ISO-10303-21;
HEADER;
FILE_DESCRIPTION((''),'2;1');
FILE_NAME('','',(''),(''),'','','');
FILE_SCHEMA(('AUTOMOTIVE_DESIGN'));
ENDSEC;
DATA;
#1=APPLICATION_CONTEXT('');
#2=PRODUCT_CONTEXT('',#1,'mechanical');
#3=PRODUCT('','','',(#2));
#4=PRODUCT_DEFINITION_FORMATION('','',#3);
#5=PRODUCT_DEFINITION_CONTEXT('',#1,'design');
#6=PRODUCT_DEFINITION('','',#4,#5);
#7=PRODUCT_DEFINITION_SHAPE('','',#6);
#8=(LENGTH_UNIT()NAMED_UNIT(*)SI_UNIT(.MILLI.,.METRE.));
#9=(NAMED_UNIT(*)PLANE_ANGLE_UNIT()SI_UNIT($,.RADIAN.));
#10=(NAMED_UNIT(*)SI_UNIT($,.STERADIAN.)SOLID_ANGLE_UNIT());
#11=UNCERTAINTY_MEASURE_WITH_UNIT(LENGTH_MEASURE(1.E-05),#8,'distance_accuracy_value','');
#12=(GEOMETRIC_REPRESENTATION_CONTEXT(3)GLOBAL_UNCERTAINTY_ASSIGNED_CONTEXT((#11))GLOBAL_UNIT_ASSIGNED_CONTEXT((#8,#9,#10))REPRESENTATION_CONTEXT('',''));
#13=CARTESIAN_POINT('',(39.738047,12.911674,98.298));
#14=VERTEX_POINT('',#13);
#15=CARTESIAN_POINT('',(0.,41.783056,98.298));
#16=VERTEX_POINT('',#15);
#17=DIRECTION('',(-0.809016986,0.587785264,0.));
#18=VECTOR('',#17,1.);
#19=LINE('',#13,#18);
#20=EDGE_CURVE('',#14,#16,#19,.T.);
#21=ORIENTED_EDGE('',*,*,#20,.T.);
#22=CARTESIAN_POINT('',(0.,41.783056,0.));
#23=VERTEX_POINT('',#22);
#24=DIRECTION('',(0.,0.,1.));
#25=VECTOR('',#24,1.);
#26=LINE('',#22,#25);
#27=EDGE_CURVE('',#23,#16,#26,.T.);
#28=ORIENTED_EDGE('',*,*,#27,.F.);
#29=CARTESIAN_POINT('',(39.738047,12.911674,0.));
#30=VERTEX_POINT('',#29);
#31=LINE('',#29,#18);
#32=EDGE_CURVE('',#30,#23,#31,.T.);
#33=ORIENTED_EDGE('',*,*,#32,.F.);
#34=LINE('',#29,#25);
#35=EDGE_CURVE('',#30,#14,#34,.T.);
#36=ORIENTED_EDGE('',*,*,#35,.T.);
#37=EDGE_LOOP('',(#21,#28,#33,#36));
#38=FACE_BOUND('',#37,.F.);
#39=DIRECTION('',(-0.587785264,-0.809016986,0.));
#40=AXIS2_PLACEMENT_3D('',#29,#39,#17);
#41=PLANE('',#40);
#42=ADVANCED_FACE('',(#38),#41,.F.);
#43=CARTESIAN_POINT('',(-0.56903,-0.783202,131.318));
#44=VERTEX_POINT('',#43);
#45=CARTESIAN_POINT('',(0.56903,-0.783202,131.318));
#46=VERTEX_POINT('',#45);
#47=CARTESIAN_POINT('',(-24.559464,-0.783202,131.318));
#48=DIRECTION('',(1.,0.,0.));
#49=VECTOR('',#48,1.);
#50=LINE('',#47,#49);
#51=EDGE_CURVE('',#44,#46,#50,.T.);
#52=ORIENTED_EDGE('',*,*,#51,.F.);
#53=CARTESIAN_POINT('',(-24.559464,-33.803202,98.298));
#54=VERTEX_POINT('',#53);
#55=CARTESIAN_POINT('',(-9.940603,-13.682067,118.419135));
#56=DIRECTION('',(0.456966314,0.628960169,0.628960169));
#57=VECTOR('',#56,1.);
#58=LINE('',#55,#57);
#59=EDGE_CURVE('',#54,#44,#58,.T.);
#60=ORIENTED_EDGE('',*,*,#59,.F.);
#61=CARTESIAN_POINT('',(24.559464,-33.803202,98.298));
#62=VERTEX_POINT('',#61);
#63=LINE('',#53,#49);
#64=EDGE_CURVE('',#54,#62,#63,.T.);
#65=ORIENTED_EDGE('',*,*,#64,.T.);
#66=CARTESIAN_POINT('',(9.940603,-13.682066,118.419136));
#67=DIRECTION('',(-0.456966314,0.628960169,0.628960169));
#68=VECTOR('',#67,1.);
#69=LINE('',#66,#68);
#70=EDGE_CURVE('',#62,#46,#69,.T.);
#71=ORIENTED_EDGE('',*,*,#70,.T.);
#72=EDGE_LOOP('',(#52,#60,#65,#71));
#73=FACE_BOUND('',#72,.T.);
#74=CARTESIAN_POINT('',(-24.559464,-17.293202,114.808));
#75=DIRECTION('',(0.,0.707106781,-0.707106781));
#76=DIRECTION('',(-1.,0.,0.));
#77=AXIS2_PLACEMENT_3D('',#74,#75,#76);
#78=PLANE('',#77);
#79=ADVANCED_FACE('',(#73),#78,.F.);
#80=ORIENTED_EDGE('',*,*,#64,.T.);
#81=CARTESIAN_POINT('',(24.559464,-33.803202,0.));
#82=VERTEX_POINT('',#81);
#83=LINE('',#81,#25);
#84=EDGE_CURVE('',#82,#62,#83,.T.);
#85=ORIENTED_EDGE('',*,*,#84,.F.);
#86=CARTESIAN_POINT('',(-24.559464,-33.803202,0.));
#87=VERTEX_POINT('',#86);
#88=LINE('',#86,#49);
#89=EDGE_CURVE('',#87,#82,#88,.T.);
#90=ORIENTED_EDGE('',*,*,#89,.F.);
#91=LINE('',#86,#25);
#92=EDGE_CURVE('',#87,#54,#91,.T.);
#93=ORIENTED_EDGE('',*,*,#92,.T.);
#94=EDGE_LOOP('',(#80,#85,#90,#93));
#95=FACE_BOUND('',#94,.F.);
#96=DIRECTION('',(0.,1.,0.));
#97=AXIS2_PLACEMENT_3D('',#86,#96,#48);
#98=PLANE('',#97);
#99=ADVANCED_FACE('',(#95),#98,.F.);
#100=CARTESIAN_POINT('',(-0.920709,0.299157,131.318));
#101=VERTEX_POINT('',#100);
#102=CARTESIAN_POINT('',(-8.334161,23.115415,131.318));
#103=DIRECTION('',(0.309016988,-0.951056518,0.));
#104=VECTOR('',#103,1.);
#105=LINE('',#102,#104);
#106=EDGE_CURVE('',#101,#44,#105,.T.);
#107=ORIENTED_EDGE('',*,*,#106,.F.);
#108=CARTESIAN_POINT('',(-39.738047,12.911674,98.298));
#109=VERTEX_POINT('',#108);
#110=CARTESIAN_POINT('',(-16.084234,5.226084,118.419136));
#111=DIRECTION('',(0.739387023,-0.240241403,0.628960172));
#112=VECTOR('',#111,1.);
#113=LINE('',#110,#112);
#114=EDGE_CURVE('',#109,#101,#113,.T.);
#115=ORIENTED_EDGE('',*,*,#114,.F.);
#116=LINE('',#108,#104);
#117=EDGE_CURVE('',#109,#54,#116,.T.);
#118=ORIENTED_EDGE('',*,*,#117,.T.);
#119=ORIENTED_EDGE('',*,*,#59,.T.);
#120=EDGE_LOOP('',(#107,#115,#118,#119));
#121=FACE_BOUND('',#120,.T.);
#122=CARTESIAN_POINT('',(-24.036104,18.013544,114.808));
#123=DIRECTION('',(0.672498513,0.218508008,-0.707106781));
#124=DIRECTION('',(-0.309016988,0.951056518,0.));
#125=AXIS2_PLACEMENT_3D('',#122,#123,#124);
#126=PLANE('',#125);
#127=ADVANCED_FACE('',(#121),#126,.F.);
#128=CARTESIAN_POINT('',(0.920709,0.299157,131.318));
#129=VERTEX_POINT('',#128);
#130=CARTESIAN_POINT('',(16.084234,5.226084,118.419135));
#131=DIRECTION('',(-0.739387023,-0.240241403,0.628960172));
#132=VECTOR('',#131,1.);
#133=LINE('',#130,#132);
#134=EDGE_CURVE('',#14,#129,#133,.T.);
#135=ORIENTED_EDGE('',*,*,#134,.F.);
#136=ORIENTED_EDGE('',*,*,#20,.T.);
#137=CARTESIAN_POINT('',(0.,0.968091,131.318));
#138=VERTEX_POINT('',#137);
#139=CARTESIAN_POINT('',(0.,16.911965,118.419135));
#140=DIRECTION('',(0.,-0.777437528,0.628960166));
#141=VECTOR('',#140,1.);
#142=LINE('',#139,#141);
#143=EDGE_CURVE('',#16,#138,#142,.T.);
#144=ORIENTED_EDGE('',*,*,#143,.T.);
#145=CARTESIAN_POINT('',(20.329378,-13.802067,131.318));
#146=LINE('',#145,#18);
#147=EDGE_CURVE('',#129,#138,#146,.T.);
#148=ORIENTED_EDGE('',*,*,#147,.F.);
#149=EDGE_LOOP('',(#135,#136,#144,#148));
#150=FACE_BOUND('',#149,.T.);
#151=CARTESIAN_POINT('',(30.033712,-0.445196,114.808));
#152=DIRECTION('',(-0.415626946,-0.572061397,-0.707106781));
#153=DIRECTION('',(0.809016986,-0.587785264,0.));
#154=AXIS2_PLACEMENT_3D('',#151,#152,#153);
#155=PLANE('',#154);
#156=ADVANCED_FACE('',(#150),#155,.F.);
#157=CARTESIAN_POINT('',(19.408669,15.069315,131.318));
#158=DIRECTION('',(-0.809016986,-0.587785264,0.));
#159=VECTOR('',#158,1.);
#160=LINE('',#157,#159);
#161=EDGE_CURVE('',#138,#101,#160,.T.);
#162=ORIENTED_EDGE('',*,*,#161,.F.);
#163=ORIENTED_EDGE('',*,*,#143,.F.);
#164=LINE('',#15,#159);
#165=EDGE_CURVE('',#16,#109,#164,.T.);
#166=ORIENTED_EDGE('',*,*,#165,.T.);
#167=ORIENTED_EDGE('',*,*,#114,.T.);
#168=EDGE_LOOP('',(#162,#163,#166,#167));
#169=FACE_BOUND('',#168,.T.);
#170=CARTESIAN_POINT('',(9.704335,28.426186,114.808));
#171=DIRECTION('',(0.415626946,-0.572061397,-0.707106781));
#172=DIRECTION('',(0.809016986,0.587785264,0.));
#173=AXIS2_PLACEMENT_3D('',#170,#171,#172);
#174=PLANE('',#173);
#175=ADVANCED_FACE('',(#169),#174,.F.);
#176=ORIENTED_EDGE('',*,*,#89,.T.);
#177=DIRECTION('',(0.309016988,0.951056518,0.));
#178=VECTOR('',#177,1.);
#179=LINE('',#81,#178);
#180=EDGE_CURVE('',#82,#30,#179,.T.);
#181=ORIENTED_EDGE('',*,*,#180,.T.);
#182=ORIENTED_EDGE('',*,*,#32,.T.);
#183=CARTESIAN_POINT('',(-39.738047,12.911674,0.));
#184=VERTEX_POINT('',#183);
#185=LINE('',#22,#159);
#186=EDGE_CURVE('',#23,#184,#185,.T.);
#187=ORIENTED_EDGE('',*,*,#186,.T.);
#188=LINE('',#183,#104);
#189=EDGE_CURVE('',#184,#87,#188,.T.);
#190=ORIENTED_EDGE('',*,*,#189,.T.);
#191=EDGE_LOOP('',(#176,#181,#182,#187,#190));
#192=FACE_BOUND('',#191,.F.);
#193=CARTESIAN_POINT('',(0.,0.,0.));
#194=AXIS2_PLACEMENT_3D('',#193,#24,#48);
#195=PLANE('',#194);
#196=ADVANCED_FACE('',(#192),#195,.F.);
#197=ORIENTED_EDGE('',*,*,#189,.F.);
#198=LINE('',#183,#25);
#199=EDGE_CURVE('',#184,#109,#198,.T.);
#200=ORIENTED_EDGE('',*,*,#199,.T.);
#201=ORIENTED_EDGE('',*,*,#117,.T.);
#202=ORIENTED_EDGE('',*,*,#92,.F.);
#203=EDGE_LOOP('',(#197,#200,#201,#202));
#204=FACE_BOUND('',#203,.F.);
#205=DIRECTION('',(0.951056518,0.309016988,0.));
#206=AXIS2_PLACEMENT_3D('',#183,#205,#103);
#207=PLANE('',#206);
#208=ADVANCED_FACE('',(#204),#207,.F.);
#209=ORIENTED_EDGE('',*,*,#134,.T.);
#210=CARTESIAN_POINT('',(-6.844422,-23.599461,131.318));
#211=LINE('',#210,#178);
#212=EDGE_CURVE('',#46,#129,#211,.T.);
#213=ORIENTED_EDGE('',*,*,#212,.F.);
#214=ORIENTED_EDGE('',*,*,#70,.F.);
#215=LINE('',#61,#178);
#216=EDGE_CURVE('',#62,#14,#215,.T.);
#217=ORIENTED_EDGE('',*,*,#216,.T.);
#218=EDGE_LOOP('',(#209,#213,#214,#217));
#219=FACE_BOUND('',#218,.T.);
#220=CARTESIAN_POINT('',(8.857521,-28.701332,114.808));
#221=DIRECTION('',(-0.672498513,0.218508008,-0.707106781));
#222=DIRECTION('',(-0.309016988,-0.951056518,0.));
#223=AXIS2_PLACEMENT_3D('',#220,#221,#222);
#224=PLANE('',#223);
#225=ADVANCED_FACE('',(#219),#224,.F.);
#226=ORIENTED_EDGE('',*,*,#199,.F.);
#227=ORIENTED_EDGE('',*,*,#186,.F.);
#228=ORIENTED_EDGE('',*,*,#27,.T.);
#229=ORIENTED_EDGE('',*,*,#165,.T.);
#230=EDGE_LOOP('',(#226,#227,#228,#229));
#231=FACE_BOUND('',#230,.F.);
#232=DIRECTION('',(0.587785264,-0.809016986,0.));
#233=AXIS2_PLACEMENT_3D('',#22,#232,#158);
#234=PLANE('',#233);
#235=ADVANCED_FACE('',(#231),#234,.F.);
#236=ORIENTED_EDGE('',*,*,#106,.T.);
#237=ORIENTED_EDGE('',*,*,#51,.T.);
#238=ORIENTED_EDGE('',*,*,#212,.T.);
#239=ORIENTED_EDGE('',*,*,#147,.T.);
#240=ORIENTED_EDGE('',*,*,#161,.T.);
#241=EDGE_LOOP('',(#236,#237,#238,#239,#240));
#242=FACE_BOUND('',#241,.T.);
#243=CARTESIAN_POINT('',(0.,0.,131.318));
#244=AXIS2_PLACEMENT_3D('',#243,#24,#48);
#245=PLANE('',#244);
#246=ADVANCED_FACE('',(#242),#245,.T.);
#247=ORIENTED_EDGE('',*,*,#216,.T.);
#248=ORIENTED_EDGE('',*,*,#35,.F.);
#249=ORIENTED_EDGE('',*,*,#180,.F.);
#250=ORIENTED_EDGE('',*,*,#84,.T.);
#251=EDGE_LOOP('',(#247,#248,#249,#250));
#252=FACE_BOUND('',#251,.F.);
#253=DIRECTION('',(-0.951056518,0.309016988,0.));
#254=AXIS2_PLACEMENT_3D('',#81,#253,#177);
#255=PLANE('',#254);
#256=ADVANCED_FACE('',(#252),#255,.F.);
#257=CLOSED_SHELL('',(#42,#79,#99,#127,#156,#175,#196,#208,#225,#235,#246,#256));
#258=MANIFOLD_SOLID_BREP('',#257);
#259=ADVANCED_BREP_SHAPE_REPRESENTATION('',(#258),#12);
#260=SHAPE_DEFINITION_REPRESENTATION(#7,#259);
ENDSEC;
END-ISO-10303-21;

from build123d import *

# Parameters (mm, degrees)
F1_DEPTH = 131.318
F2_SIZE  = 33.02


with BuildPart() as f1:
    # F0 (on Top) → F1 (new body)
    with BuildSketch(Plane.XY):
        Polygon((-24.559464, -33.803202), (24.559464, -33.803202), (39.738047, 12.911674), (0, 41.783056), (-39.738047, 12.911674), align=None)
    extrude(amount=F1_DEPTH)

    # F2
    f2_edges = [f1.edges().sort_by_distance(p)[0] for p in [
        (0, -33.803202, 131.318),
        (-32.148756, -10.445764, 131.318),
        (-19.869024, 27.347365, 131.318),
        (19.869024, 27.347365, 131.318),
        (32.148756, -10.445764, 131.318),
    ]]
    chamfer(f2_edges, length=F2_SIZE)


solid = f1.part
